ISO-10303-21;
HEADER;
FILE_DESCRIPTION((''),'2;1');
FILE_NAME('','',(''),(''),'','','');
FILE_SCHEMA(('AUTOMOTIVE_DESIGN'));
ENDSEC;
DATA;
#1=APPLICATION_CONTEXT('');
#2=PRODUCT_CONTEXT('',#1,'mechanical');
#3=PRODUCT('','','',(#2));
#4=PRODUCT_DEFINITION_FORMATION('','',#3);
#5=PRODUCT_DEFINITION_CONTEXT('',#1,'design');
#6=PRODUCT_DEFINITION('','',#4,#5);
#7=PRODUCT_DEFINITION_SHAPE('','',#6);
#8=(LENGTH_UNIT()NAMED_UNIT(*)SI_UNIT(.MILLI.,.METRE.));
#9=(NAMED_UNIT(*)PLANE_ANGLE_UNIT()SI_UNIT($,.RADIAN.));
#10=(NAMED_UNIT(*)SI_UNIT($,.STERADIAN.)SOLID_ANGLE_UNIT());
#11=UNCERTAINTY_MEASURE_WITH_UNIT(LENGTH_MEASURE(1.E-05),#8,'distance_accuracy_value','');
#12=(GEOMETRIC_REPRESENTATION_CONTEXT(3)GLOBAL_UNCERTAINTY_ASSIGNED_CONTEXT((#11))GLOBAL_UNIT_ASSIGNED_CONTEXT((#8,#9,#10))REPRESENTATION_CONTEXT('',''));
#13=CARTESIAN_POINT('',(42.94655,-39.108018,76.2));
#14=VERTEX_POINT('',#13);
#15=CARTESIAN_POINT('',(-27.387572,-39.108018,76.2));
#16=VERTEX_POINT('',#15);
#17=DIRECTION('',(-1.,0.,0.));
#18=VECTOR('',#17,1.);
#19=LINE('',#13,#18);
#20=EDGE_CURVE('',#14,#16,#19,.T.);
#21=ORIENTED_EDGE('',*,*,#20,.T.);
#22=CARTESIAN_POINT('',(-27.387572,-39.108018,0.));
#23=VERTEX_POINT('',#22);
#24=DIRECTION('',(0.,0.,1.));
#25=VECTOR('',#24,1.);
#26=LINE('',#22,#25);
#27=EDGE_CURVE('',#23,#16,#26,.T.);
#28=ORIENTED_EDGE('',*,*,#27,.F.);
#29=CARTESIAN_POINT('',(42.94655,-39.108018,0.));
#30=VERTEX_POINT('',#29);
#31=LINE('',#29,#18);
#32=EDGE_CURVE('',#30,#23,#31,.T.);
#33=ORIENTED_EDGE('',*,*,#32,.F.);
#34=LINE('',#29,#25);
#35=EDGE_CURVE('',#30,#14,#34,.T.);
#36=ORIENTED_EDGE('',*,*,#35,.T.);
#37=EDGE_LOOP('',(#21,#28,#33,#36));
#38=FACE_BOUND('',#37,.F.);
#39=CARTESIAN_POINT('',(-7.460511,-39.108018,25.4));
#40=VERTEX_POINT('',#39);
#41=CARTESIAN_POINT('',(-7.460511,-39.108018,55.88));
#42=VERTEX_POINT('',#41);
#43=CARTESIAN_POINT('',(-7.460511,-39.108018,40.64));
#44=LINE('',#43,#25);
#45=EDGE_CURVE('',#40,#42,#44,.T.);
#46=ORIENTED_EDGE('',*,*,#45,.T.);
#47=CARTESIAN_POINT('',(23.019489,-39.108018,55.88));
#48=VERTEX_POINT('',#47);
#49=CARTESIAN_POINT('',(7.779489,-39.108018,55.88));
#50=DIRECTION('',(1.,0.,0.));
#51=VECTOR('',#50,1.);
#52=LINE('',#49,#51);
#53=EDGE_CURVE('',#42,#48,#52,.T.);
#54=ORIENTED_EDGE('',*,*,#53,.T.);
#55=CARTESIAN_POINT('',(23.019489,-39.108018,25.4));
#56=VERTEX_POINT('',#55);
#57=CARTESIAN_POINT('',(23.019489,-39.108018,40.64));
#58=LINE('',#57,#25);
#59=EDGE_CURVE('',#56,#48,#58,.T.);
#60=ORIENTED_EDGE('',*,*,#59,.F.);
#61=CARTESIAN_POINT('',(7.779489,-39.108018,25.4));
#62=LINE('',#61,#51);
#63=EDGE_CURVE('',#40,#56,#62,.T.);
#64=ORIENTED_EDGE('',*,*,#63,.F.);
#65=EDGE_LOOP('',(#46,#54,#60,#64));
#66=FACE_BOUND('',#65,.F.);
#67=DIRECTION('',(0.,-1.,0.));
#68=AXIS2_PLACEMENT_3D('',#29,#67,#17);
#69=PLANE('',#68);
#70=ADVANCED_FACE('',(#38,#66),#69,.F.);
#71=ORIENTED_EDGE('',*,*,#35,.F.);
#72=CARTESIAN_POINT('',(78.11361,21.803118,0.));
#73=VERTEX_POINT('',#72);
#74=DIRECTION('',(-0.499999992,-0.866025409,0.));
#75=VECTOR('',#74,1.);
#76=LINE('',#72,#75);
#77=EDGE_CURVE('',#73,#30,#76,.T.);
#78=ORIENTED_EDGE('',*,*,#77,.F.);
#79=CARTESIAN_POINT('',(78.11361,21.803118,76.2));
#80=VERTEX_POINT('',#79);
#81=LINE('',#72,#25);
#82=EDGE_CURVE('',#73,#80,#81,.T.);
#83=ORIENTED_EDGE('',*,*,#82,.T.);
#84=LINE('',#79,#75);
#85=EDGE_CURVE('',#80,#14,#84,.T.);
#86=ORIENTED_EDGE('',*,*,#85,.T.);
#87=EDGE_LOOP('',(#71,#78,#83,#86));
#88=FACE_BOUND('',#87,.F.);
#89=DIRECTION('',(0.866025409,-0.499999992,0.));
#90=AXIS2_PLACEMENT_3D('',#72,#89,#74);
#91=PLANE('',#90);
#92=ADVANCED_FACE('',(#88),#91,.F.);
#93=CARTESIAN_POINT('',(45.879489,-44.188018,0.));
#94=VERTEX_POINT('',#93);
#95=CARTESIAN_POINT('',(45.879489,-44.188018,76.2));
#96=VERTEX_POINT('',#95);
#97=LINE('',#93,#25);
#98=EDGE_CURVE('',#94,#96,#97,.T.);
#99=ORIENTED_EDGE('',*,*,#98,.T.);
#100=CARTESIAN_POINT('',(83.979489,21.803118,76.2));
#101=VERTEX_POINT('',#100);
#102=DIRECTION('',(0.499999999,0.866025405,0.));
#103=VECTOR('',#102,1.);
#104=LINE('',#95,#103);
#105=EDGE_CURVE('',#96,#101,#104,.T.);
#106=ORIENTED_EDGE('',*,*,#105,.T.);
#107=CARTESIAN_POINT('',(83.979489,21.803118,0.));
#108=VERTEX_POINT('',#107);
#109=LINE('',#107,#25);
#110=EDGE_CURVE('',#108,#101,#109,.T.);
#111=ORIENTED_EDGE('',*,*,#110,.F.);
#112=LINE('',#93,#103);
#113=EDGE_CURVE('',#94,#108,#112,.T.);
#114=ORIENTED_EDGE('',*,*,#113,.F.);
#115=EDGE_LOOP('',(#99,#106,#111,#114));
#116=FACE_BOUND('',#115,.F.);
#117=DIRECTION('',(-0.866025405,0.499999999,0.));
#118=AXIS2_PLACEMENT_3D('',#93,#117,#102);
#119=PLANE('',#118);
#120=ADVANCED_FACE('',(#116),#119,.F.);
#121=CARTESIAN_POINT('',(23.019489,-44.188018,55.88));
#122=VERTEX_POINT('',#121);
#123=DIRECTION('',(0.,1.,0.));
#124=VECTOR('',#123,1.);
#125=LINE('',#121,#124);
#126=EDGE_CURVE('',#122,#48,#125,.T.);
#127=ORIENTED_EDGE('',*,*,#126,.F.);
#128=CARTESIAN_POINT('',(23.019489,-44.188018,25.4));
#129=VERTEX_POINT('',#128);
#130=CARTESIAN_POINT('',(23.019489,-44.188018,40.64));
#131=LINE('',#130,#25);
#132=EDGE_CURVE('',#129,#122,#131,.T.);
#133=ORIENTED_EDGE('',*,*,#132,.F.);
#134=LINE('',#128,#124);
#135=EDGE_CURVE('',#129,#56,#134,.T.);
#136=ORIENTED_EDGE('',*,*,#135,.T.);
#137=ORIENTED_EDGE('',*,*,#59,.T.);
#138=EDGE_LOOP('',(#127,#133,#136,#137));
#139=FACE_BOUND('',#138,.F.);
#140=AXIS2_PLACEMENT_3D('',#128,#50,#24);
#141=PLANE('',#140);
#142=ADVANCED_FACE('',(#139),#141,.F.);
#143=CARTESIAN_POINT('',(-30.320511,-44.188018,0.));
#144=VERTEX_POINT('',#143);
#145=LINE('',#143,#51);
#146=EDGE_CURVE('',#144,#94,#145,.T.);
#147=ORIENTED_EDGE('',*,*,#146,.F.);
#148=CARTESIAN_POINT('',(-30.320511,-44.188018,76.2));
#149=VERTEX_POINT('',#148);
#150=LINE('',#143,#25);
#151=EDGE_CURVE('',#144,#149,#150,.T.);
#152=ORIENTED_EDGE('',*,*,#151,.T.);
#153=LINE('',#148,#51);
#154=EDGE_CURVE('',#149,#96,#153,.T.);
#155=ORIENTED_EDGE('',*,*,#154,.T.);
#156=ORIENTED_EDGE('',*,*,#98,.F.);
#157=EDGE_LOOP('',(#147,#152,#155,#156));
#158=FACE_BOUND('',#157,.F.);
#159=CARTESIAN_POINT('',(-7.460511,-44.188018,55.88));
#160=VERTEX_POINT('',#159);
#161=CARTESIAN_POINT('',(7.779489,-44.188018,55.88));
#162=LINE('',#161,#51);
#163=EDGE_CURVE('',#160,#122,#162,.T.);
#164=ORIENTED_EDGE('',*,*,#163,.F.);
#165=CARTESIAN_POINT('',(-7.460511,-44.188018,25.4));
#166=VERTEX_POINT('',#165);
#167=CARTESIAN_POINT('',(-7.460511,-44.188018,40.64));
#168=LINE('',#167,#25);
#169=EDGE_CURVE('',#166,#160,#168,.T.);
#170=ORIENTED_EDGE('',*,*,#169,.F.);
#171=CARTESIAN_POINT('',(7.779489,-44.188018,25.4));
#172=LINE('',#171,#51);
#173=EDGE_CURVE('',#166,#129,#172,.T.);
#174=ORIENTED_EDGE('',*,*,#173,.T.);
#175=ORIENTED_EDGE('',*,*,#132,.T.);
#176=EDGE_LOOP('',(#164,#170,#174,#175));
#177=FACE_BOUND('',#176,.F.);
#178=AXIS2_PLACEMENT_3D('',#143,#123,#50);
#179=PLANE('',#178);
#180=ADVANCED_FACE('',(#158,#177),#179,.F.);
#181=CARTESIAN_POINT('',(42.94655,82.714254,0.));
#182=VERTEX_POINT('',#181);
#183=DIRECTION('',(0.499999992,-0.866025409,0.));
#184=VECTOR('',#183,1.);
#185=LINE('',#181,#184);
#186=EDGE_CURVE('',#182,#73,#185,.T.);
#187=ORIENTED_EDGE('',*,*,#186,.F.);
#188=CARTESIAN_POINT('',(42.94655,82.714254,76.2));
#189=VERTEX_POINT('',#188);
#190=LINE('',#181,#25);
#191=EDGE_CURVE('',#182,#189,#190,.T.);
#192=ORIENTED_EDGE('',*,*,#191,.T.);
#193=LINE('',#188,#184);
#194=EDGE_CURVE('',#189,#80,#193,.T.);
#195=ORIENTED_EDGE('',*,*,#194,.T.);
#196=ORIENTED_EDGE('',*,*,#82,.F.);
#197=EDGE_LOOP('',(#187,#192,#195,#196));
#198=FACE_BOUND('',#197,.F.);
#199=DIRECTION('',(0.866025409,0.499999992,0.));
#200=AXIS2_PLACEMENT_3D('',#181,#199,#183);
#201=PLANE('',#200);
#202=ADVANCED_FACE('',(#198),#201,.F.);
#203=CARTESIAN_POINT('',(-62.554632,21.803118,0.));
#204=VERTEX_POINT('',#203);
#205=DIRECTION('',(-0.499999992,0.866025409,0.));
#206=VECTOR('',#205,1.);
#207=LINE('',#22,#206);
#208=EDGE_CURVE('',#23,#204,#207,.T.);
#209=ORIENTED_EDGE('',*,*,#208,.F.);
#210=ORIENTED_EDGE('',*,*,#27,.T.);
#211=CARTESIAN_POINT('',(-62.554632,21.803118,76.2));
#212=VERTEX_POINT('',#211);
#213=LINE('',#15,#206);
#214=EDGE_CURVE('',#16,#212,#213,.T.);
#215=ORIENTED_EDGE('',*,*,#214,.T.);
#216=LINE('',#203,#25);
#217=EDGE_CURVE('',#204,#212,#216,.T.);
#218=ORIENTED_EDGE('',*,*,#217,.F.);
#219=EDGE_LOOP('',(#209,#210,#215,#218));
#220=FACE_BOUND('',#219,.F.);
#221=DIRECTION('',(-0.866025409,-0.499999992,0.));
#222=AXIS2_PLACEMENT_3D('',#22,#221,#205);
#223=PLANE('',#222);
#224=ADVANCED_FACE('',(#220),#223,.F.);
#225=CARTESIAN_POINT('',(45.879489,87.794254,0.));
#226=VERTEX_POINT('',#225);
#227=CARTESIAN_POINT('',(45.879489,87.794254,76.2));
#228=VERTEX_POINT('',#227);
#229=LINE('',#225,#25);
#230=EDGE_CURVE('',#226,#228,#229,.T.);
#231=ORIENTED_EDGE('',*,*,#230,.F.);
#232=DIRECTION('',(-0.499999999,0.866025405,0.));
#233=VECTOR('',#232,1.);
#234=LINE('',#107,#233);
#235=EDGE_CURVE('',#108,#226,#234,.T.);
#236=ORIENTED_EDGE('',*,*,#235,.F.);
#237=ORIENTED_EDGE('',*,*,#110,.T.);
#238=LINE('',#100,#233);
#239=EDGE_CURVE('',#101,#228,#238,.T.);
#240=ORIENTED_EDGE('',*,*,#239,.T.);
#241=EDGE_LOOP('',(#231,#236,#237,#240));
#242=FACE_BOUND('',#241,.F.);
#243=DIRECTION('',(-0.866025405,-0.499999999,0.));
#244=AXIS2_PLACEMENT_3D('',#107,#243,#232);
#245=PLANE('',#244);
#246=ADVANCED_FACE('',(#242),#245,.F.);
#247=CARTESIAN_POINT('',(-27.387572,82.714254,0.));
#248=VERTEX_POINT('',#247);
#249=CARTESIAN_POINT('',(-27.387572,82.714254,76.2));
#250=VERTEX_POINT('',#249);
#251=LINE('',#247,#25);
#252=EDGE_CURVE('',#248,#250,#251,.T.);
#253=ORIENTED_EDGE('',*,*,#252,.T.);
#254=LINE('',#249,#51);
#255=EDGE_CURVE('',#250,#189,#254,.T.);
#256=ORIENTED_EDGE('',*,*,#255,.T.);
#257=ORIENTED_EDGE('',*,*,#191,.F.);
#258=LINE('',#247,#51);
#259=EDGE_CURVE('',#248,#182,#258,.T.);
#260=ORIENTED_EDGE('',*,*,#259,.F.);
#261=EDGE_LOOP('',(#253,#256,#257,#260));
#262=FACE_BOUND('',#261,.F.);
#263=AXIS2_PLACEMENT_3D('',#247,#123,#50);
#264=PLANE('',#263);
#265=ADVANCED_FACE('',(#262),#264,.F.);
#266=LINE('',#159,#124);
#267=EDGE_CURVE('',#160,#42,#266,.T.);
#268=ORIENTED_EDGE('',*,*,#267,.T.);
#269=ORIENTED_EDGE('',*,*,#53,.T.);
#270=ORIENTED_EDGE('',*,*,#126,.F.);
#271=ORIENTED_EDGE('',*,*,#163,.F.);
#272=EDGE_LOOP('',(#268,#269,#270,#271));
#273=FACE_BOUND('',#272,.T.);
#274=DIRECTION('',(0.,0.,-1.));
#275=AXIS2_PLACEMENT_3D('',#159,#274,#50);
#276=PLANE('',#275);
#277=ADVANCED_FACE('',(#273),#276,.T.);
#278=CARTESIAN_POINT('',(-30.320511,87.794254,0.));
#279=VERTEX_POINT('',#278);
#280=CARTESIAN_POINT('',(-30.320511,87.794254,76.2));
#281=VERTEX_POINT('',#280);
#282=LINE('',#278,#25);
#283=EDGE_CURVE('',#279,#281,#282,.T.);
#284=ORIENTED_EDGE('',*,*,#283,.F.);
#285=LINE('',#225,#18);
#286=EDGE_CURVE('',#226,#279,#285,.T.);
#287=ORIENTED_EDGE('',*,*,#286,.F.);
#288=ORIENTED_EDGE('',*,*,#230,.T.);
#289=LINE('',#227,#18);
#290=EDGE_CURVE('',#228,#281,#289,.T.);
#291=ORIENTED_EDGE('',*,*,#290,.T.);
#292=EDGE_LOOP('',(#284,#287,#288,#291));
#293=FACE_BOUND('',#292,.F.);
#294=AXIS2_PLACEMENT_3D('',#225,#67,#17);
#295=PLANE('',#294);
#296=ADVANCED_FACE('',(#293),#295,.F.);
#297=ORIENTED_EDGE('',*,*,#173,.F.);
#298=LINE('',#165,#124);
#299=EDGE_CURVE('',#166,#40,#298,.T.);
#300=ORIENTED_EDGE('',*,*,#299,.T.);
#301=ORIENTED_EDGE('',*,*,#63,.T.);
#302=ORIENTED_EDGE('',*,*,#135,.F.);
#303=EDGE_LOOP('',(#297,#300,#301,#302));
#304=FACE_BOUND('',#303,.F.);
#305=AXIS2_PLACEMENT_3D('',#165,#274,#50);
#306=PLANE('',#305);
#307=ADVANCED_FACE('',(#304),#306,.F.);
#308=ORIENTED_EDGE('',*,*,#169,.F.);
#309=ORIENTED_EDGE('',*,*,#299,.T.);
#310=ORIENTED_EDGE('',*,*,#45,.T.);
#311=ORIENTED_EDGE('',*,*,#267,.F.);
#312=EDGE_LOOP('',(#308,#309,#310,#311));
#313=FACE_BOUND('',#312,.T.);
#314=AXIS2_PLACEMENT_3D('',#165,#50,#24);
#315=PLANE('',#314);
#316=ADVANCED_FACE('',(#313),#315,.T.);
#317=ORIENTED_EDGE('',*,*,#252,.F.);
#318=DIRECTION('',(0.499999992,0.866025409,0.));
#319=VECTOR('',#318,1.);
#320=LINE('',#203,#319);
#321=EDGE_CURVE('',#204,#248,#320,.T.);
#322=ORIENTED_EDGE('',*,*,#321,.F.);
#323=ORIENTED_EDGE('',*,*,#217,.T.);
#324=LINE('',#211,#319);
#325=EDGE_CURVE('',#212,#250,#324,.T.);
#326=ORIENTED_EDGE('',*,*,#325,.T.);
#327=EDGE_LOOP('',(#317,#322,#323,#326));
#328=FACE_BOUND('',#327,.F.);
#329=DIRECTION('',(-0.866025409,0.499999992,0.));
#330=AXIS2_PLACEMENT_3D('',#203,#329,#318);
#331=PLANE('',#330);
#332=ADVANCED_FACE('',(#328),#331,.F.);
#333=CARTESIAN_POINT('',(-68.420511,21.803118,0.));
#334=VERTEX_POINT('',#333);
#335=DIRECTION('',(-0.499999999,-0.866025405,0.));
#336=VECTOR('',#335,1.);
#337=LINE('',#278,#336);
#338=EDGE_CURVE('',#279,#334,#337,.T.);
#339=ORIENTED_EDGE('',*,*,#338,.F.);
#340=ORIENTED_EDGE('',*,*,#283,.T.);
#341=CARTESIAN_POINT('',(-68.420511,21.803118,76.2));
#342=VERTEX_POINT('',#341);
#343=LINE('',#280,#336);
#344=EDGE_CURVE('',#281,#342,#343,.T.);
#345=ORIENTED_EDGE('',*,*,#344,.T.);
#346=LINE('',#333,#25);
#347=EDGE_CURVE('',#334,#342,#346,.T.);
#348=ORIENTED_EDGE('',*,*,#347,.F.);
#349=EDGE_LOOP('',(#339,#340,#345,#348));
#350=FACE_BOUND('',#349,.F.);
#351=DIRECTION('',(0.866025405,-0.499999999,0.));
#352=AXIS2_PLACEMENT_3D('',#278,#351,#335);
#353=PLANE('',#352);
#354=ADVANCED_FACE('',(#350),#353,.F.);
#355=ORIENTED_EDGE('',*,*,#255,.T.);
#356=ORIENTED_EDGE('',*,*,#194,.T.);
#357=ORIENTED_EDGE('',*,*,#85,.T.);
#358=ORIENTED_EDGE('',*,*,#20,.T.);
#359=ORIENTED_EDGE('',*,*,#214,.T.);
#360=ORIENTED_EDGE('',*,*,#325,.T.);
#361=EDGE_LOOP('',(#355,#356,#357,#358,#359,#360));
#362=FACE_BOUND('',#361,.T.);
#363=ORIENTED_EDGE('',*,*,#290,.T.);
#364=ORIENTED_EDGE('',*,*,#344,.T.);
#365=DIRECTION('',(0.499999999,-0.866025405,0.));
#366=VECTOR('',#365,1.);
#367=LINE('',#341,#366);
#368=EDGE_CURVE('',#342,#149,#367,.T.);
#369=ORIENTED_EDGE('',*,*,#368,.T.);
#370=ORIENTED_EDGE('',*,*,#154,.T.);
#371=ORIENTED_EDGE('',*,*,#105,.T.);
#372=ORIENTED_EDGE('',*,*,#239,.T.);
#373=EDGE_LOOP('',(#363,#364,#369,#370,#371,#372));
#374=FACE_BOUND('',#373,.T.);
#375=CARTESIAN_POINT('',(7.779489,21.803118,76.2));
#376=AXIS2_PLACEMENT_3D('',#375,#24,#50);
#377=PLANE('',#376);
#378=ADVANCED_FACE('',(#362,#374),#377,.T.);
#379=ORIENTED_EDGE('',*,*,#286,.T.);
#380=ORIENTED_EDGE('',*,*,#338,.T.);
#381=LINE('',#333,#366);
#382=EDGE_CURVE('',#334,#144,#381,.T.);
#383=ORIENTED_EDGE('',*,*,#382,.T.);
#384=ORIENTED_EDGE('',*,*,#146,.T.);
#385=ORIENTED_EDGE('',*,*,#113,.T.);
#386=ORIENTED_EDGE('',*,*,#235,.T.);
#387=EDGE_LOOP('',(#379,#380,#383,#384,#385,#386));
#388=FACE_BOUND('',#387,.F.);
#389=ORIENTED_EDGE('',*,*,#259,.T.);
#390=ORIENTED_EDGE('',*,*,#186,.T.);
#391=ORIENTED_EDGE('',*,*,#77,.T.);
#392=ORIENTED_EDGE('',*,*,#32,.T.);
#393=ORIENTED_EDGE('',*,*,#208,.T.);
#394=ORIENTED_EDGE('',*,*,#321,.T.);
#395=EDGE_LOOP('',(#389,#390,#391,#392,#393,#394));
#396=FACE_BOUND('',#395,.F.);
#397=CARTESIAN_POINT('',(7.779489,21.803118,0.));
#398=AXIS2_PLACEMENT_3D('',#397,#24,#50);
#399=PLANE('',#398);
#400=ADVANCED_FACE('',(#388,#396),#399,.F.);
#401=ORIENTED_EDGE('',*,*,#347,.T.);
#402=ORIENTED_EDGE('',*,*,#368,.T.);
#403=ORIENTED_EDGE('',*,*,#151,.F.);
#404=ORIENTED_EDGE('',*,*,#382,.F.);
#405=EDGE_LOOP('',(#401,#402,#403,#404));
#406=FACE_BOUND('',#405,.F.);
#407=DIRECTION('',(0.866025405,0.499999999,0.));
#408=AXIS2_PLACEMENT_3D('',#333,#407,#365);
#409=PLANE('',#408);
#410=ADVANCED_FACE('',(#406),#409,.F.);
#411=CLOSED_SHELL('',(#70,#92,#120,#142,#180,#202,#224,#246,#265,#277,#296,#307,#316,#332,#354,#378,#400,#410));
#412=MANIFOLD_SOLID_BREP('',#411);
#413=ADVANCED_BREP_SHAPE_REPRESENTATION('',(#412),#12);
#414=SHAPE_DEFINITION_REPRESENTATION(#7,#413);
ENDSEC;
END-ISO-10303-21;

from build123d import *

# Parameters (mm, degrees)
F2_DEPTH = 76.2
F3_W     = 30.48
F3_H     = 30.48
F4_DEPTH = 5.08


with BuildPart() as f2:
    # F0 (on Top) → F2 (new body)
    with BuildSketch(Plane.XY):
        Polygon((-30.320511, 87.794254), (-68.420511, 21.803118), (-30.320511, -44.188018), (45.879489, -44.188018), (83.979489, 21.803118), (45.879489, 87.794254), align=None)
        Polygon((-27.387572, -39.108018), (-62.554632, 21.803118), (-27.387572, 82.714254), (42.94655, 82.714254), (78.11361, 21.803118), (42.94655, -39.108018), (-7.85345, -39.108018), align=None, mode=Mode.SUBTRACT)
    extrude(amount=F2_DEPTH)

    # F3 (on face) → F4 (cut)
    with BuildSketch(Plane.XZ.offset(44.188018)):
        with Locations((7.779489, 40.64)):
            Rectangle(F3_W, F3_H)
    extrude(amount=-F4_DEPTH, mode=Mode.SUBTRACT)


solid = f2.part
